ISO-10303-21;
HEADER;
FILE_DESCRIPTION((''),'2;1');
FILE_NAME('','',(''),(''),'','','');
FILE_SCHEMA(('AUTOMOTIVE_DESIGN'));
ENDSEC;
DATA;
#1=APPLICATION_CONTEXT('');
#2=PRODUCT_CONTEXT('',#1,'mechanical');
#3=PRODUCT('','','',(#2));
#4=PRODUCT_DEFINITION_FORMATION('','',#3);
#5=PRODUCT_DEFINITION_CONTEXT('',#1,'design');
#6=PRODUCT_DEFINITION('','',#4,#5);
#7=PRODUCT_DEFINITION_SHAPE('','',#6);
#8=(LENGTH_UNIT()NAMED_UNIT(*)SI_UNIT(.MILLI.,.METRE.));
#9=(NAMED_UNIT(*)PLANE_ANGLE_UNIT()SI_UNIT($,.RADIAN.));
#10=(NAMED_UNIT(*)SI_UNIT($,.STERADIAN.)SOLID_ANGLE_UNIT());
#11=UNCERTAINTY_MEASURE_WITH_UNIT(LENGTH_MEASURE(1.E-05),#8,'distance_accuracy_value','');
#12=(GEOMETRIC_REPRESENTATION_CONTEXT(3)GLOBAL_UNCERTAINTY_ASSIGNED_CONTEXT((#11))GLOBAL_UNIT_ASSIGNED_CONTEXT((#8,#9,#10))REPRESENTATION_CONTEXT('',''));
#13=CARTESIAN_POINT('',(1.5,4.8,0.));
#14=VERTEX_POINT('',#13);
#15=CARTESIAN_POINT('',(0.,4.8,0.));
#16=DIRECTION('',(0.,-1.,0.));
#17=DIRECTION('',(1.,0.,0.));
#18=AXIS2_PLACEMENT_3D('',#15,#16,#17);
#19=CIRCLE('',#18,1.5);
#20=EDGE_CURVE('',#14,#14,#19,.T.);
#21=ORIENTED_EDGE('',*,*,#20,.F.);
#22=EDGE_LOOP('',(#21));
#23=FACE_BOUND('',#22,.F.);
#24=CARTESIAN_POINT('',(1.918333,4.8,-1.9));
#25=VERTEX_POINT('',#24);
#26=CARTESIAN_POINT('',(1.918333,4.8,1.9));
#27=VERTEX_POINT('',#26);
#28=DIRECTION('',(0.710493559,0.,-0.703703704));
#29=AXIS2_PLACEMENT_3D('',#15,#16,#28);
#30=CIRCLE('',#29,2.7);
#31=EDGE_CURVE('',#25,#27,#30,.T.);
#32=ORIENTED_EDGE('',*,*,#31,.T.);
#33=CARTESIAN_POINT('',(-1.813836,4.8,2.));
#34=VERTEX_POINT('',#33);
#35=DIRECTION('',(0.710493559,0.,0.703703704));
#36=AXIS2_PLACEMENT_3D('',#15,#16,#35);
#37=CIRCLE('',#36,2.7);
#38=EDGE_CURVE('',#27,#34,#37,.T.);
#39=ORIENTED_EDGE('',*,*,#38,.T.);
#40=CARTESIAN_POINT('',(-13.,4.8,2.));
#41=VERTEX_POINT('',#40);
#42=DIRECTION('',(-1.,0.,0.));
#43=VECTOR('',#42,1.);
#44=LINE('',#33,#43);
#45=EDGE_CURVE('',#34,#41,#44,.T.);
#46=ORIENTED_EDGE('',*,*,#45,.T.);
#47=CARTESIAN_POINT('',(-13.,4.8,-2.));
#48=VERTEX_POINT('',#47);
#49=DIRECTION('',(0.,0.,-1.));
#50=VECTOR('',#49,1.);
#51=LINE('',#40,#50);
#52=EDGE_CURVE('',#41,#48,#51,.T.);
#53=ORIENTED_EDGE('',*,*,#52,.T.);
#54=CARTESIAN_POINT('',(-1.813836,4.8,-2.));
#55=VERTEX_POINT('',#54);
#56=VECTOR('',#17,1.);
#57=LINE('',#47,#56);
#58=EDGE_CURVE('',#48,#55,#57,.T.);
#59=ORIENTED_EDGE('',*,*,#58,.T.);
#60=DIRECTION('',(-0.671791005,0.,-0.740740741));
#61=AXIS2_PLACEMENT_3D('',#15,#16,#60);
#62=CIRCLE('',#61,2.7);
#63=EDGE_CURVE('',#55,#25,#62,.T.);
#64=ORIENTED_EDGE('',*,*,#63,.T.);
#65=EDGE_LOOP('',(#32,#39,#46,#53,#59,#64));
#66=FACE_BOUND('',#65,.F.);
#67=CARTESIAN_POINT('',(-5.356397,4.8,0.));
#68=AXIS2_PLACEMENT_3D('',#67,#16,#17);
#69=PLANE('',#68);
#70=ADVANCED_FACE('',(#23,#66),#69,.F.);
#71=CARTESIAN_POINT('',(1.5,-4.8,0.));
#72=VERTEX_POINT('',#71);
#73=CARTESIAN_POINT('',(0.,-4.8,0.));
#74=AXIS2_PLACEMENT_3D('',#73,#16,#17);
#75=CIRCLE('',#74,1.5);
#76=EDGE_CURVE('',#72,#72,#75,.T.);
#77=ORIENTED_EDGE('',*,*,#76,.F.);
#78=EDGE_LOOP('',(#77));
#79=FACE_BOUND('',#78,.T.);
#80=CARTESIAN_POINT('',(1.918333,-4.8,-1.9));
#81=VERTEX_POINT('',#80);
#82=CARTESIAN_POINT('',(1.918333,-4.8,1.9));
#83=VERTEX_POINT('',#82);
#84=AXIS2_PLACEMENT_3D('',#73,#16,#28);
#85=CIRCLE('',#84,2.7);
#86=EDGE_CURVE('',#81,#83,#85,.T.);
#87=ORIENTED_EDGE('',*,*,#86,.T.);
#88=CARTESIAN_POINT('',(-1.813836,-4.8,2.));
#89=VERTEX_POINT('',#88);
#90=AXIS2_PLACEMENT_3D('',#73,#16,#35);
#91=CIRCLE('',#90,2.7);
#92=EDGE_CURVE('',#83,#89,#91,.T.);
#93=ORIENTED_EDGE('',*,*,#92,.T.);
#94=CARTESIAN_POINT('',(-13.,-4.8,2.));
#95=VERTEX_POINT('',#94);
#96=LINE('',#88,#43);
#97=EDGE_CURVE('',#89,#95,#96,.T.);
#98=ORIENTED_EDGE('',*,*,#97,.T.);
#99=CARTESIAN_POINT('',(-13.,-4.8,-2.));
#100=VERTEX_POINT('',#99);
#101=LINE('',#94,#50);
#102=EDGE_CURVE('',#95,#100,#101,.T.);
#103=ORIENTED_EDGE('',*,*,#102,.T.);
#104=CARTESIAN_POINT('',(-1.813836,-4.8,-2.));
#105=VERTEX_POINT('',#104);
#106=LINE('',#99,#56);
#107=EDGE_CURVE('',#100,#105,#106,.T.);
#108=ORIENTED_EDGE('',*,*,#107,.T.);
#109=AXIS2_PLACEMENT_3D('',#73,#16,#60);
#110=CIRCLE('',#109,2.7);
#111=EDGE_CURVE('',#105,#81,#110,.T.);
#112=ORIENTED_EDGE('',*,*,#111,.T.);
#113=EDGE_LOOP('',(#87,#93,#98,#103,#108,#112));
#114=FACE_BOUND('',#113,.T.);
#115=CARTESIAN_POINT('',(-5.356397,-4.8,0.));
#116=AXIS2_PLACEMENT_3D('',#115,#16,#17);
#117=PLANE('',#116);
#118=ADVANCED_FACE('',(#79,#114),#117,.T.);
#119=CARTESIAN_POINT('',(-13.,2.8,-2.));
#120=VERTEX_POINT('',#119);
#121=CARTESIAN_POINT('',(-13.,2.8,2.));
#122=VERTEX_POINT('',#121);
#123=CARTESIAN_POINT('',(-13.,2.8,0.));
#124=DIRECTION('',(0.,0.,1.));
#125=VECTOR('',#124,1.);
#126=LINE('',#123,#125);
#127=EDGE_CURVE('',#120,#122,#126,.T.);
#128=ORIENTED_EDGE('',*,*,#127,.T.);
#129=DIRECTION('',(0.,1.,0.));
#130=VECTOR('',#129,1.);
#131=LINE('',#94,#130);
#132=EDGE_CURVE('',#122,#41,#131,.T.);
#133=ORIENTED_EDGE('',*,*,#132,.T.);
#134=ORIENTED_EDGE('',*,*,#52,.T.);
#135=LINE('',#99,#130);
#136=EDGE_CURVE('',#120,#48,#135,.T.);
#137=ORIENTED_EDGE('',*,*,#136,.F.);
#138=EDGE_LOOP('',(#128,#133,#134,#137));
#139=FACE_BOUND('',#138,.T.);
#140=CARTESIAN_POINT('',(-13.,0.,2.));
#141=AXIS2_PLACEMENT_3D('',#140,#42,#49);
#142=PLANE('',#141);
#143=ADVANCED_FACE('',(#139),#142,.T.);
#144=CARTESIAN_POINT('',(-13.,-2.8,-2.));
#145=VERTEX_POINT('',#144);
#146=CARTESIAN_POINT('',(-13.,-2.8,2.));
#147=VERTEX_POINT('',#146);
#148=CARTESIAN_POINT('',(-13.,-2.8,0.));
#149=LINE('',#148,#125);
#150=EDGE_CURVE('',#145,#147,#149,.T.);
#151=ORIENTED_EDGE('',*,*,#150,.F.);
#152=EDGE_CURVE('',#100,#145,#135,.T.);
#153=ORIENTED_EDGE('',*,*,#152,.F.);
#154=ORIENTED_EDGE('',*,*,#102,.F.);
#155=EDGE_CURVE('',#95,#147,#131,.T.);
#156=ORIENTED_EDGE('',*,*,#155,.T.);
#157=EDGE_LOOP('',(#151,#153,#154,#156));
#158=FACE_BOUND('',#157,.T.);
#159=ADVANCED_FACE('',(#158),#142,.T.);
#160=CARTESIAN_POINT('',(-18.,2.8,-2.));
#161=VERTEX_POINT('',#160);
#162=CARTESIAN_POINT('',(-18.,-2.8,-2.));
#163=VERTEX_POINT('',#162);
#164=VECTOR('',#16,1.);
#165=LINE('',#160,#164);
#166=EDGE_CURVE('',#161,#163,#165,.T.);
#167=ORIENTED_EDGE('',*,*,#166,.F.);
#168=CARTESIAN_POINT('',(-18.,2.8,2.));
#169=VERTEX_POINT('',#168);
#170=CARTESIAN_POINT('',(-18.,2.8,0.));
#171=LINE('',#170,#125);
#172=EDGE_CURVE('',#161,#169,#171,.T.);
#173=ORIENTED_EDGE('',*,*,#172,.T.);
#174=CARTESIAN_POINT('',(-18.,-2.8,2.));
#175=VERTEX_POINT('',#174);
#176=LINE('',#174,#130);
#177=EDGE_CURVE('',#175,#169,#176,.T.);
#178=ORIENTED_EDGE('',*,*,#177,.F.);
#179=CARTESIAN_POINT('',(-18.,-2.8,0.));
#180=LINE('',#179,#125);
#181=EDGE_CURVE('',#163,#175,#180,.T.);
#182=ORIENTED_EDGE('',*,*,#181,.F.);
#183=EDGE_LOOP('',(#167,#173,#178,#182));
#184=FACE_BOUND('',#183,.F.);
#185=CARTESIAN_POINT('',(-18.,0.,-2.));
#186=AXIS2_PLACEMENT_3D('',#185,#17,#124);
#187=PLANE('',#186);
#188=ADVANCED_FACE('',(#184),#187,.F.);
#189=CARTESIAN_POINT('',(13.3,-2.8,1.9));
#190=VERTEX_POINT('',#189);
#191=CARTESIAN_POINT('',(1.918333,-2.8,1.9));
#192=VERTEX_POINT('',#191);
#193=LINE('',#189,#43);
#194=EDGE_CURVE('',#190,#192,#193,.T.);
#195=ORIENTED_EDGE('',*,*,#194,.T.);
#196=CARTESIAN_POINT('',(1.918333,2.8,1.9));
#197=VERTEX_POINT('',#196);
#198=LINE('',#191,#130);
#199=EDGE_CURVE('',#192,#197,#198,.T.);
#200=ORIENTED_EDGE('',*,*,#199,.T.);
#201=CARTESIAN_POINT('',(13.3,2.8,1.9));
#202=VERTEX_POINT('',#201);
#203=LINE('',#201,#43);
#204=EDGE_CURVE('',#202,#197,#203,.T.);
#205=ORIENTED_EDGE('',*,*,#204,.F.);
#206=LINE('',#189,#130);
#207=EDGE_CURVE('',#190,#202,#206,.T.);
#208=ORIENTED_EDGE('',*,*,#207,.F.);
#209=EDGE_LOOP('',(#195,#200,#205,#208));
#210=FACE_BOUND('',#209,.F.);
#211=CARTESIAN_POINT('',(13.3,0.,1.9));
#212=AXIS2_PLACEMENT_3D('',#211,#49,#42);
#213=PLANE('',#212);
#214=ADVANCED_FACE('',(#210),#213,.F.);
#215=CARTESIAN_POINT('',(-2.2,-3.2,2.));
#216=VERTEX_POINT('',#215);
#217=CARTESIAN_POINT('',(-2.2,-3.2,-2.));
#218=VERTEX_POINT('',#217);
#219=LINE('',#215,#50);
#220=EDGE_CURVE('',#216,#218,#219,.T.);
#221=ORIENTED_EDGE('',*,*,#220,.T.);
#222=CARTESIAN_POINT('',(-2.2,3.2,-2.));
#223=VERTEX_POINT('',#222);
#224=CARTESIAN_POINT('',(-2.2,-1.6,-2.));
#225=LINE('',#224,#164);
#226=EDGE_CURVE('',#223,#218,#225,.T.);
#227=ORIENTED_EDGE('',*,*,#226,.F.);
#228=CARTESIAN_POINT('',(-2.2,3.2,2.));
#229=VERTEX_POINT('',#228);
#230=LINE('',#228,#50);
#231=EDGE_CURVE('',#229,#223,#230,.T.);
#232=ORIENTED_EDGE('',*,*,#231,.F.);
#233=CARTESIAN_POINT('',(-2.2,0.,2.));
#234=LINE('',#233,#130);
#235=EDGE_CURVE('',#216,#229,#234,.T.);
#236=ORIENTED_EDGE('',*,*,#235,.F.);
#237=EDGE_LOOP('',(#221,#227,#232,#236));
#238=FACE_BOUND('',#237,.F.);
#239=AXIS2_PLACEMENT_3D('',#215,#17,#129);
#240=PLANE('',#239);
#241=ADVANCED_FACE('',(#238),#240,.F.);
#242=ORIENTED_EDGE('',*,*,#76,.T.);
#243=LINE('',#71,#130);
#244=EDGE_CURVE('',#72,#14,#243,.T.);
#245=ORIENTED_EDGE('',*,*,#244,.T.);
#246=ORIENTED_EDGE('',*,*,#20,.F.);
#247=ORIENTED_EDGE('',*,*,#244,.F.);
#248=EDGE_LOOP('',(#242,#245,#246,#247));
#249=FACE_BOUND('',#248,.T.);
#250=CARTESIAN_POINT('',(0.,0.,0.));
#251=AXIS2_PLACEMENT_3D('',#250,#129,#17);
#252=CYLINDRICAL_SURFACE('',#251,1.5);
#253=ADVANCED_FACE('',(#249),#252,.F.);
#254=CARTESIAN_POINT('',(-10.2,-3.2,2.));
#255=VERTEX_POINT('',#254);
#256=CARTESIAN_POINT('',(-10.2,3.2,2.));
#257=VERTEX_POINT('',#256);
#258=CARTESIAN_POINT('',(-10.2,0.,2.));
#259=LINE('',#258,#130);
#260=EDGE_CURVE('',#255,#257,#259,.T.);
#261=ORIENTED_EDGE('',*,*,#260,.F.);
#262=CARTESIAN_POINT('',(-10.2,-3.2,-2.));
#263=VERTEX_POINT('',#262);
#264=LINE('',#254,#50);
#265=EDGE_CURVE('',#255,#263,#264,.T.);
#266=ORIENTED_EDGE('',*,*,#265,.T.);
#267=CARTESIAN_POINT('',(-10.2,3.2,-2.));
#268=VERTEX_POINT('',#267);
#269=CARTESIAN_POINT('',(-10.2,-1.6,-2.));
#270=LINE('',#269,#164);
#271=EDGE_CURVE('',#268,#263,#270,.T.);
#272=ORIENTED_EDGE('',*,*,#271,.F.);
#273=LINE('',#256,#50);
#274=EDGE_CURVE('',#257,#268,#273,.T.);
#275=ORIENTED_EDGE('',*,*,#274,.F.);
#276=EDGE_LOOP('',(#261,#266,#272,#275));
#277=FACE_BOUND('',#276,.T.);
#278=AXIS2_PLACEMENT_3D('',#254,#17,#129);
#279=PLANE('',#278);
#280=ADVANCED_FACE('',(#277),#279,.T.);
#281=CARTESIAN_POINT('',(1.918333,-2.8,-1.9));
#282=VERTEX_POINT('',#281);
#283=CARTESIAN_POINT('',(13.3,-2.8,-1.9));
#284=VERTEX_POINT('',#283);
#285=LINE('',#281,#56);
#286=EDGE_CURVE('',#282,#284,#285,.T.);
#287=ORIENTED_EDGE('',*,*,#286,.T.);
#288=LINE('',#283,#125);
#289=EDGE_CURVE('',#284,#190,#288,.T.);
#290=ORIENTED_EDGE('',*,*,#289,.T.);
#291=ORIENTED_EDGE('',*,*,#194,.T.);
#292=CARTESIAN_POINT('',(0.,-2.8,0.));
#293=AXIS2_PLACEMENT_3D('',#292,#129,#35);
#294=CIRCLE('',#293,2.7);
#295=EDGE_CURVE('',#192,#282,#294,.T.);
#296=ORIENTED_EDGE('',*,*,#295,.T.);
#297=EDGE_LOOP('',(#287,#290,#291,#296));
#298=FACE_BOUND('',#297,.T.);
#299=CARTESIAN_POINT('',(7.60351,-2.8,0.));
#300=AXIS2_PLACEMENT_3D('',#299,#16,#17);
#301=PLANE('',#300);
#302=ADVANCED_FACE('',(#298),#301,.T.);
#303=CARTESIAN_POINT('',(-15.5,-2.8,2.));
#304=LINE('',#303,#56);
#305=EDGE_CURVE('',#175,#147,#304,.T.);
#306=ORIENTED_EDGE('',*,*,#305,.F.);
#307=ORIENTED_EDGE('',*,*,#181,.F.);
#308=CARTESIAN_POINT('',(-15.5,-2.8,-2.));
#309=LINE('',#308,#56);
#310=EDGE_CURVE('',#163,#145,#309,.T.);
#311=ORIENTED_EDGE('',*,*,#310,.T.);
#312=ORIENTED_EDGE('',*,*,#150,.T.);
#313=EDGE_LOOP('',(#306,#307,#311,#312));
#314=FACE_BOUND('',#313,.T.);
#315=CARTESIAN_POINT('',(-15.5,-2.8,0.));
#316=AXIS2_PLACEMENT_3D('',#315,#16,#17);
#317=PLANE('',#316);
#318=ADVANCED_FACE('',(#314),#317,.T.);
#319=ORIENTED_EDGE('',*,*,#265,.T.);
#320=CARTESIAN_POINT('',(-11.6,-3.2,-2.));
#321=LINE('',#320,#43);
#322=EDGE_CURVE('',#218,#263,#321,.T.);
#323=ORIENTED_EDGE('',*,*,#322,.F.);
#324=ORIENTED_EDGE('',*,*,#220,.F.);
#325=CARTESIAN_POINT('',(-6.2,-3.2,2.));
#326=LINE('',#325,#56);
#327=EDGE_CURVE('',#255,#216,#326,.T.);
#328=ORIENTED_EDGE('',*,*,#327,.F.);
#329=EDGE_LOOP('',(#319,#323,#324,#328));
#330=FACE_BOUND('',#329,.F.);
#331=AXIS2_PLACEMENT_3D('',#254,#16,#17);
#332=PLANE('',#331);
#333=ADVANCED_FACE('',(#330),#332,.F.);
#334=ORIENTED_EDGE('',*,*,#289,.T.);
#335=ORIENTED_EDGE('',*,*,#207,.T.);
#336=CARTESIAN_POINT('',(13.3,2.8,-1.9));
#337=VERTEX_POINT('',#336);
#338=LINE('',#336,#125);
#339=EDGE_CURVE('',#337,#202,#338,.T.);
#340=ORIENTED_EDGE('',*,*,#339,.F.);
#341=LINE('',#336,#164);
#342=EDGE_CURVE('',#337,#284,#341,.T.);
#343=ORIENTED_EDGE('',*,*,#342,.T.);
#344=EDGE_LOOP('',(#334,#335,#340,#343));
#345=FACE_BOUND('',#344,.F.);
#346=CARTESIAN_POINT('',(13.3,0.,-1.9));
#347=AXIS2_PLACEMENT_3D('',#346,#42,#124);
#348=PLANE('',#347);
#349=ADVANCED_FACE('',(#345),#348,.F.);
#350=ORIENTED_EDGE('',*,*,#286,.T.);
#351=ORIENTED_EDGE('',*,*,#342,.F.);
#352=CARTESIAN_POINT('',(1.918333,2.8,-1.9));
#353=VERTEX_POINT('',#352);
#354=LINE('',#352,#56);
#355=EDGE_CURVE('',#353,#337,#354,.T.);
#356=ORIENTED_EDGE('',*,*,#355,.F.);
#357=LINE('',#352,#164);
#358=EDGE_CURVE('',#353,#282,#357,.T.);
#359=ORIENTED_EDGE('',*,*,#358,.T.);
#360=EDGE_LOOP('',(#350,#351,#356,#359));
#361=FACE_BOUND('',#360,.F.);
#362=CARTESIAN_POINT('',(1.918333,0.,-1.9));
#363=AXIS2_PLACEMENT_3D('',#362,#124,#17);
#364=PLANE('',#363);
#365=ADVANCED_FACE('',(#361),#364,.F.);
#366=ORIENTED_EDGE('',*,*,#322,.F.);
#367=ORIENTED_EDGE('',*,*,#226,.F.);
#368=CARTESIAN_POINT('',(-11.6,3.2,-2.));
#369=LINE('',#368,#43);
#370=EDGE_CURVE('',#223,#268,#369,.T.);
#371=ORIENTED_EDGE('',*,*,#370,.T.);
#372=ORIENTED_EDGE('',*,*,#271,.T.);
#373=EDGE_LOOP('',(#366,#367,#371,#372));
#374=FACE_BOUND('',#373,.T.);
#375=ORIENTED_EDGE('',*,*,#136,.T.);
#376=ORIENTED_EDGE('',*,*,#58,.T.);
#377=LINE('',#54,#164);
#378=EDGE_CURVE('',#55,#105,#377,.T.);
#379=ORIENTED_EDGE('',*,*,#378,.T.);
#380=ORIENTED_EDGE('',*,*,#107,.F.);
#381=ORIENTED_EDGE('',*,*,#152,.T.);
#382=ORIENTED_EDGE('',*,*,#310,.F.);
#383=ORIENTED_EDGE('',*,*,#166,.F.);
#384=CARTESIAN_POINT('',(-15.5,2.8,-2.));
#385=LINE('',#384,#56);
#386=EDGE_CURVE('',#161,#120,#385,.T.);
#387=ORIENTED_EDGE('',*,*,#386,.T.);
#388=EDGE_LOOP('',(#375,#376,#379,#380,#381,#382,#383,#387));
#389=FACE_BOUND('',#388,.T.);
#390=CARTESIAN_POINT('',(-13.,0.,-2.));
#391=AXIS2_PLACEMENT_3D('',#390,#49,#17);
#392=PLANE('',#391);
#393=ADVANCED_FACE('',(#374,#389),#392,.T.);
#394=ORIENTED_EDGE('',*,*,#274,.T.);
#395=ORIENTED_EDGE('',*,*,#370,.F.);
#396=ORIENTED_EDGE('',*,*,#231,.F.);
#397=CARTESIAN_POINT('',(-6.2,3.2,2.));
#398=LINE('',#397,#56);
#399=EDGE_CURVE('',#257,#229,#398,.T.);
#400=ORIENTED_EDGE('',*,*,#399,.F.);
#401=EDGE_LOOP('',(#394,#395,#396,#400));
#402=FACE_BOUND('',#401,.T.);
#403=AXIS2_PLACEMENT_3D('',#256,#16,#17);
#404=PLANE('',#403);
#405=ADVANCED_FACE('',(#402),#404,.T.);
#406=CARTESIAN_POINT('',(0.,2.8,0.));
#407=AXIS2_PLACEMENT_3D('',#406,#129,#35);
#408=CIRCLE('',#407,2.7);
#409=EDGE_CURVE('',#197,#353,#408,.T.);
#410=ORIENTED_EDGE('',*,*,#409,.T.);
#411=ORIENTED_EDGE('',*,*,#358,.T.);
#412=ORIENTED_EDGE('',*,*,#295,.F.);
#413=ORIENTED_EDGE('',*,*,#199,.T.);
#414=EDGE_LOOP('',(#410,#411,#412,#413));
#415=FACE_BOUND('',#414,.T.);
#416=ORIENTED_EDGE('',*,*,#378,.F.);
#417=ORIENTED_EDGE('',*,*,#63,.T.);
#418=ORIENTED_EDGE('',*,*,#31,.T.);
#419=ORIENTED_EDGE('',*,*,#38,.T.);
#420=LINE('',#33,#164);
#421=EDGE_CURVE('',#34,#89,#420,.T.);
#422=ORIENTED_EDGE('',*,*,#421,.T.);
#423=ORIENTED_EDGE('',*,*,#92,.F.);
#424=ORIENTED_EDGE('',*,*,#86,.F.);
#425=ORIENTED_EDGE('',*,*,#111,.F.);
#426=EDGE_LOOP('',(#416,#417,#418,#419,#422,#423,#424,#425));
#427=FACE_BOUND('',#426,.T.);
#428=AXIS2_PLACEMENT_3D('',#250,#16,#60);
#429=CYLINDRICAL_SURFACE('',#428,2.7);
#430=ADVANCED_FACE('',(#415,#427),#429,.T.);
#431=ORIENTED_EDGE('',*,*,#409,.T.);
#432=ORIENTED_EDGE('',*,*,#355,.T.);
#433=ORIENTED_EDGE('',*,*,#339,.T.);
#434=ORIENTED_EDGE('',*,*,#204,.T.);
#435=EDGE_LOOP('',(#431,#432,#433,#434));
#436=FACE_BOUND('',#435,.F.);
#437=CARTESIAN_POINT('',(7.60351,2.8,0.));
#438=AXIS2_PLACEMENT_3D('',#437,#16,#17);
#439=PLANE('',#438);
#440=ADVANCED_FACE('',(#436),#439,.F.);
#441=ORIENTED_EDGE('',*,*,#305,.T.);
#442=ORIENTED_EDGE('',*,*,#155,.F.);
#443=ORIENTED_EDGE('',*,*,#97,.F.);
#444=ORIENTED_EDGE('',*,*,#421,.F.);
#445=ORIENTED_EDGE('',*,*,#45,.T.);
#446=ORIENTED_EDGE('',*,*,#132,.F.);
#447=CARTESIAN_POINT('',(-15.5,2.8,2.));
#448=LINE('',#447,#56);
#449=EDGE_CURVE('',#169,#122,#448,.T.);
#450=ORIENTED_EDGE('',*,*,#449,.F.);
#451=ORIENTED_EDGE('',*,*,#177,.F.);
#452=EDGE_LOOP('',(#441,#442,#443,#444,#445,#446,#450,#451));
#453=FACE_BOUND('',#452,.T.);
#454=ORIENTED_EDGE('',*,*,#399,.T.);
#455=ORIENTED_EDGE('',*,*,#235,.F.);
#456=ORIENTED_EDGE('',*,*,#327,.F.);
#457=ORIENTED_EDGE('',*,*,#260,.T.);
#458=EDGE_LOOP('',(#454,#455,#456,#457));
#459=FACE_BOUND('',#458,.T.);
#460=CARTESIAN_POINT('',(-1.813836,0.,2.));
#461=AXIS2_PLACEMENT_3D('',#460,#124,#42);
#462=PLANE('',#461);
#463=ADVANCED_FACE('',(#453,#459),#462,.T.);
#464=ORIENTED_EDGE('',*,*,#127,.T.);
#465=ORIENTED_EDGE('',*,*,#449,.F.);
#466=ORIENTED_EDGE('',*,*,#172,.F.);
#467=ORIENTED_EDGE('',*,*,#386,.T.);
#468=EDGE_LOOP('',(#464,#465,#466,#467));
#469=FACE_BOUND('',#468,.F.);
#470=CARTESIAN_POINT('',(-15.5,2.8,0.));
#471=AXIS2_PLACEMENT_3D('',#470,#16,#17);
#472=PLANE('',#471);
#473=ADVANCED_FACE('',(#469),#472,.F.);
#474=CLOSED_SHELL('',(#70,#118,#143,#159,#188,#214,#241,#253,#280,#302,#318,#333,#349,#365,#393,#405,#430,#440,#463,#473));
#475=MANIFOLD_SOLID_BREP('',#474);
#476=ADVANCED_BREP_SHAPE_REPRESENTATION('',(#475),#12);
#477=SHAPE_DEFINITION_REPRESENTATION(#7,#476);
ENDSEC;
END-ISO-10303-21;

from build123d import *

# Parameters (mm, degrees)
F0_R     = 1.5
F1_DEPTH = 4.8
F0_W     = 5
F0_H     = 4
F2_DEPTH = 2.8
F3_W     = 8
F3_H     = 6.4
F4_DEPTH = 4.701


with BuildPart() as f1:
    # F0 (on Front) → F1 (new body, symmetric)
    with BuildSketch(Plane.XZ):
        with BuildLine():
            Line((-13, -2), (-1.8138357147, -2))
            ThreePointArc((-1.8138357147, -2), (0.0723180492, -2.6990313262), (1.9183326093, -1.9))
            ThreePointArc((1.9183326093, -1.9), (2.7, 0), (1.9183326093, 1.9))
            ThreePointArc((1.9183326093, 1.9), (0.0723180492, 2.6990313262), (-1.8138357147, 2))
            Line((-1.8138357147, 2), (-13, 2))
            Line((-13, 2), (-13, -2))
        make_face()
        Circle(F0_R, mode=Mode.SUBTRACT)
    extrude(amount=F1_DEPTH, both=True)

    # F0 (on Front) → F2 (join, symmetric)
    with BuildSketch(Plane.XZ):
        with BuildLine():
            ThreePointArc((1.9183326093, 1.9), (2.7, 0), (1.9183326093, -1.9))
            Line((1.9183326093, -1.9), (13.3, -1.9))
            Line((13.3, -1.9), (13.3, 1.9))
            Line((13.3, 1.9), (1.9183326093, 1.9))
        make_face()
        with Locations((-15.5, 0)):
            Rectangle(F0_W, F0_H)
    extrude(amount=F2_DEPTH, both=True)

    # F3 (on face) → F4 (cut, through all)
    with BuildSketch(Plane.XY.offset(2)):
        with Locations((-6.2, 0)):
            Rectangle(F3_W, F3_H)
    extrude(amount=-F4_DEPTH, mode=Mode.SUBTRACT)


solid = f1.part
